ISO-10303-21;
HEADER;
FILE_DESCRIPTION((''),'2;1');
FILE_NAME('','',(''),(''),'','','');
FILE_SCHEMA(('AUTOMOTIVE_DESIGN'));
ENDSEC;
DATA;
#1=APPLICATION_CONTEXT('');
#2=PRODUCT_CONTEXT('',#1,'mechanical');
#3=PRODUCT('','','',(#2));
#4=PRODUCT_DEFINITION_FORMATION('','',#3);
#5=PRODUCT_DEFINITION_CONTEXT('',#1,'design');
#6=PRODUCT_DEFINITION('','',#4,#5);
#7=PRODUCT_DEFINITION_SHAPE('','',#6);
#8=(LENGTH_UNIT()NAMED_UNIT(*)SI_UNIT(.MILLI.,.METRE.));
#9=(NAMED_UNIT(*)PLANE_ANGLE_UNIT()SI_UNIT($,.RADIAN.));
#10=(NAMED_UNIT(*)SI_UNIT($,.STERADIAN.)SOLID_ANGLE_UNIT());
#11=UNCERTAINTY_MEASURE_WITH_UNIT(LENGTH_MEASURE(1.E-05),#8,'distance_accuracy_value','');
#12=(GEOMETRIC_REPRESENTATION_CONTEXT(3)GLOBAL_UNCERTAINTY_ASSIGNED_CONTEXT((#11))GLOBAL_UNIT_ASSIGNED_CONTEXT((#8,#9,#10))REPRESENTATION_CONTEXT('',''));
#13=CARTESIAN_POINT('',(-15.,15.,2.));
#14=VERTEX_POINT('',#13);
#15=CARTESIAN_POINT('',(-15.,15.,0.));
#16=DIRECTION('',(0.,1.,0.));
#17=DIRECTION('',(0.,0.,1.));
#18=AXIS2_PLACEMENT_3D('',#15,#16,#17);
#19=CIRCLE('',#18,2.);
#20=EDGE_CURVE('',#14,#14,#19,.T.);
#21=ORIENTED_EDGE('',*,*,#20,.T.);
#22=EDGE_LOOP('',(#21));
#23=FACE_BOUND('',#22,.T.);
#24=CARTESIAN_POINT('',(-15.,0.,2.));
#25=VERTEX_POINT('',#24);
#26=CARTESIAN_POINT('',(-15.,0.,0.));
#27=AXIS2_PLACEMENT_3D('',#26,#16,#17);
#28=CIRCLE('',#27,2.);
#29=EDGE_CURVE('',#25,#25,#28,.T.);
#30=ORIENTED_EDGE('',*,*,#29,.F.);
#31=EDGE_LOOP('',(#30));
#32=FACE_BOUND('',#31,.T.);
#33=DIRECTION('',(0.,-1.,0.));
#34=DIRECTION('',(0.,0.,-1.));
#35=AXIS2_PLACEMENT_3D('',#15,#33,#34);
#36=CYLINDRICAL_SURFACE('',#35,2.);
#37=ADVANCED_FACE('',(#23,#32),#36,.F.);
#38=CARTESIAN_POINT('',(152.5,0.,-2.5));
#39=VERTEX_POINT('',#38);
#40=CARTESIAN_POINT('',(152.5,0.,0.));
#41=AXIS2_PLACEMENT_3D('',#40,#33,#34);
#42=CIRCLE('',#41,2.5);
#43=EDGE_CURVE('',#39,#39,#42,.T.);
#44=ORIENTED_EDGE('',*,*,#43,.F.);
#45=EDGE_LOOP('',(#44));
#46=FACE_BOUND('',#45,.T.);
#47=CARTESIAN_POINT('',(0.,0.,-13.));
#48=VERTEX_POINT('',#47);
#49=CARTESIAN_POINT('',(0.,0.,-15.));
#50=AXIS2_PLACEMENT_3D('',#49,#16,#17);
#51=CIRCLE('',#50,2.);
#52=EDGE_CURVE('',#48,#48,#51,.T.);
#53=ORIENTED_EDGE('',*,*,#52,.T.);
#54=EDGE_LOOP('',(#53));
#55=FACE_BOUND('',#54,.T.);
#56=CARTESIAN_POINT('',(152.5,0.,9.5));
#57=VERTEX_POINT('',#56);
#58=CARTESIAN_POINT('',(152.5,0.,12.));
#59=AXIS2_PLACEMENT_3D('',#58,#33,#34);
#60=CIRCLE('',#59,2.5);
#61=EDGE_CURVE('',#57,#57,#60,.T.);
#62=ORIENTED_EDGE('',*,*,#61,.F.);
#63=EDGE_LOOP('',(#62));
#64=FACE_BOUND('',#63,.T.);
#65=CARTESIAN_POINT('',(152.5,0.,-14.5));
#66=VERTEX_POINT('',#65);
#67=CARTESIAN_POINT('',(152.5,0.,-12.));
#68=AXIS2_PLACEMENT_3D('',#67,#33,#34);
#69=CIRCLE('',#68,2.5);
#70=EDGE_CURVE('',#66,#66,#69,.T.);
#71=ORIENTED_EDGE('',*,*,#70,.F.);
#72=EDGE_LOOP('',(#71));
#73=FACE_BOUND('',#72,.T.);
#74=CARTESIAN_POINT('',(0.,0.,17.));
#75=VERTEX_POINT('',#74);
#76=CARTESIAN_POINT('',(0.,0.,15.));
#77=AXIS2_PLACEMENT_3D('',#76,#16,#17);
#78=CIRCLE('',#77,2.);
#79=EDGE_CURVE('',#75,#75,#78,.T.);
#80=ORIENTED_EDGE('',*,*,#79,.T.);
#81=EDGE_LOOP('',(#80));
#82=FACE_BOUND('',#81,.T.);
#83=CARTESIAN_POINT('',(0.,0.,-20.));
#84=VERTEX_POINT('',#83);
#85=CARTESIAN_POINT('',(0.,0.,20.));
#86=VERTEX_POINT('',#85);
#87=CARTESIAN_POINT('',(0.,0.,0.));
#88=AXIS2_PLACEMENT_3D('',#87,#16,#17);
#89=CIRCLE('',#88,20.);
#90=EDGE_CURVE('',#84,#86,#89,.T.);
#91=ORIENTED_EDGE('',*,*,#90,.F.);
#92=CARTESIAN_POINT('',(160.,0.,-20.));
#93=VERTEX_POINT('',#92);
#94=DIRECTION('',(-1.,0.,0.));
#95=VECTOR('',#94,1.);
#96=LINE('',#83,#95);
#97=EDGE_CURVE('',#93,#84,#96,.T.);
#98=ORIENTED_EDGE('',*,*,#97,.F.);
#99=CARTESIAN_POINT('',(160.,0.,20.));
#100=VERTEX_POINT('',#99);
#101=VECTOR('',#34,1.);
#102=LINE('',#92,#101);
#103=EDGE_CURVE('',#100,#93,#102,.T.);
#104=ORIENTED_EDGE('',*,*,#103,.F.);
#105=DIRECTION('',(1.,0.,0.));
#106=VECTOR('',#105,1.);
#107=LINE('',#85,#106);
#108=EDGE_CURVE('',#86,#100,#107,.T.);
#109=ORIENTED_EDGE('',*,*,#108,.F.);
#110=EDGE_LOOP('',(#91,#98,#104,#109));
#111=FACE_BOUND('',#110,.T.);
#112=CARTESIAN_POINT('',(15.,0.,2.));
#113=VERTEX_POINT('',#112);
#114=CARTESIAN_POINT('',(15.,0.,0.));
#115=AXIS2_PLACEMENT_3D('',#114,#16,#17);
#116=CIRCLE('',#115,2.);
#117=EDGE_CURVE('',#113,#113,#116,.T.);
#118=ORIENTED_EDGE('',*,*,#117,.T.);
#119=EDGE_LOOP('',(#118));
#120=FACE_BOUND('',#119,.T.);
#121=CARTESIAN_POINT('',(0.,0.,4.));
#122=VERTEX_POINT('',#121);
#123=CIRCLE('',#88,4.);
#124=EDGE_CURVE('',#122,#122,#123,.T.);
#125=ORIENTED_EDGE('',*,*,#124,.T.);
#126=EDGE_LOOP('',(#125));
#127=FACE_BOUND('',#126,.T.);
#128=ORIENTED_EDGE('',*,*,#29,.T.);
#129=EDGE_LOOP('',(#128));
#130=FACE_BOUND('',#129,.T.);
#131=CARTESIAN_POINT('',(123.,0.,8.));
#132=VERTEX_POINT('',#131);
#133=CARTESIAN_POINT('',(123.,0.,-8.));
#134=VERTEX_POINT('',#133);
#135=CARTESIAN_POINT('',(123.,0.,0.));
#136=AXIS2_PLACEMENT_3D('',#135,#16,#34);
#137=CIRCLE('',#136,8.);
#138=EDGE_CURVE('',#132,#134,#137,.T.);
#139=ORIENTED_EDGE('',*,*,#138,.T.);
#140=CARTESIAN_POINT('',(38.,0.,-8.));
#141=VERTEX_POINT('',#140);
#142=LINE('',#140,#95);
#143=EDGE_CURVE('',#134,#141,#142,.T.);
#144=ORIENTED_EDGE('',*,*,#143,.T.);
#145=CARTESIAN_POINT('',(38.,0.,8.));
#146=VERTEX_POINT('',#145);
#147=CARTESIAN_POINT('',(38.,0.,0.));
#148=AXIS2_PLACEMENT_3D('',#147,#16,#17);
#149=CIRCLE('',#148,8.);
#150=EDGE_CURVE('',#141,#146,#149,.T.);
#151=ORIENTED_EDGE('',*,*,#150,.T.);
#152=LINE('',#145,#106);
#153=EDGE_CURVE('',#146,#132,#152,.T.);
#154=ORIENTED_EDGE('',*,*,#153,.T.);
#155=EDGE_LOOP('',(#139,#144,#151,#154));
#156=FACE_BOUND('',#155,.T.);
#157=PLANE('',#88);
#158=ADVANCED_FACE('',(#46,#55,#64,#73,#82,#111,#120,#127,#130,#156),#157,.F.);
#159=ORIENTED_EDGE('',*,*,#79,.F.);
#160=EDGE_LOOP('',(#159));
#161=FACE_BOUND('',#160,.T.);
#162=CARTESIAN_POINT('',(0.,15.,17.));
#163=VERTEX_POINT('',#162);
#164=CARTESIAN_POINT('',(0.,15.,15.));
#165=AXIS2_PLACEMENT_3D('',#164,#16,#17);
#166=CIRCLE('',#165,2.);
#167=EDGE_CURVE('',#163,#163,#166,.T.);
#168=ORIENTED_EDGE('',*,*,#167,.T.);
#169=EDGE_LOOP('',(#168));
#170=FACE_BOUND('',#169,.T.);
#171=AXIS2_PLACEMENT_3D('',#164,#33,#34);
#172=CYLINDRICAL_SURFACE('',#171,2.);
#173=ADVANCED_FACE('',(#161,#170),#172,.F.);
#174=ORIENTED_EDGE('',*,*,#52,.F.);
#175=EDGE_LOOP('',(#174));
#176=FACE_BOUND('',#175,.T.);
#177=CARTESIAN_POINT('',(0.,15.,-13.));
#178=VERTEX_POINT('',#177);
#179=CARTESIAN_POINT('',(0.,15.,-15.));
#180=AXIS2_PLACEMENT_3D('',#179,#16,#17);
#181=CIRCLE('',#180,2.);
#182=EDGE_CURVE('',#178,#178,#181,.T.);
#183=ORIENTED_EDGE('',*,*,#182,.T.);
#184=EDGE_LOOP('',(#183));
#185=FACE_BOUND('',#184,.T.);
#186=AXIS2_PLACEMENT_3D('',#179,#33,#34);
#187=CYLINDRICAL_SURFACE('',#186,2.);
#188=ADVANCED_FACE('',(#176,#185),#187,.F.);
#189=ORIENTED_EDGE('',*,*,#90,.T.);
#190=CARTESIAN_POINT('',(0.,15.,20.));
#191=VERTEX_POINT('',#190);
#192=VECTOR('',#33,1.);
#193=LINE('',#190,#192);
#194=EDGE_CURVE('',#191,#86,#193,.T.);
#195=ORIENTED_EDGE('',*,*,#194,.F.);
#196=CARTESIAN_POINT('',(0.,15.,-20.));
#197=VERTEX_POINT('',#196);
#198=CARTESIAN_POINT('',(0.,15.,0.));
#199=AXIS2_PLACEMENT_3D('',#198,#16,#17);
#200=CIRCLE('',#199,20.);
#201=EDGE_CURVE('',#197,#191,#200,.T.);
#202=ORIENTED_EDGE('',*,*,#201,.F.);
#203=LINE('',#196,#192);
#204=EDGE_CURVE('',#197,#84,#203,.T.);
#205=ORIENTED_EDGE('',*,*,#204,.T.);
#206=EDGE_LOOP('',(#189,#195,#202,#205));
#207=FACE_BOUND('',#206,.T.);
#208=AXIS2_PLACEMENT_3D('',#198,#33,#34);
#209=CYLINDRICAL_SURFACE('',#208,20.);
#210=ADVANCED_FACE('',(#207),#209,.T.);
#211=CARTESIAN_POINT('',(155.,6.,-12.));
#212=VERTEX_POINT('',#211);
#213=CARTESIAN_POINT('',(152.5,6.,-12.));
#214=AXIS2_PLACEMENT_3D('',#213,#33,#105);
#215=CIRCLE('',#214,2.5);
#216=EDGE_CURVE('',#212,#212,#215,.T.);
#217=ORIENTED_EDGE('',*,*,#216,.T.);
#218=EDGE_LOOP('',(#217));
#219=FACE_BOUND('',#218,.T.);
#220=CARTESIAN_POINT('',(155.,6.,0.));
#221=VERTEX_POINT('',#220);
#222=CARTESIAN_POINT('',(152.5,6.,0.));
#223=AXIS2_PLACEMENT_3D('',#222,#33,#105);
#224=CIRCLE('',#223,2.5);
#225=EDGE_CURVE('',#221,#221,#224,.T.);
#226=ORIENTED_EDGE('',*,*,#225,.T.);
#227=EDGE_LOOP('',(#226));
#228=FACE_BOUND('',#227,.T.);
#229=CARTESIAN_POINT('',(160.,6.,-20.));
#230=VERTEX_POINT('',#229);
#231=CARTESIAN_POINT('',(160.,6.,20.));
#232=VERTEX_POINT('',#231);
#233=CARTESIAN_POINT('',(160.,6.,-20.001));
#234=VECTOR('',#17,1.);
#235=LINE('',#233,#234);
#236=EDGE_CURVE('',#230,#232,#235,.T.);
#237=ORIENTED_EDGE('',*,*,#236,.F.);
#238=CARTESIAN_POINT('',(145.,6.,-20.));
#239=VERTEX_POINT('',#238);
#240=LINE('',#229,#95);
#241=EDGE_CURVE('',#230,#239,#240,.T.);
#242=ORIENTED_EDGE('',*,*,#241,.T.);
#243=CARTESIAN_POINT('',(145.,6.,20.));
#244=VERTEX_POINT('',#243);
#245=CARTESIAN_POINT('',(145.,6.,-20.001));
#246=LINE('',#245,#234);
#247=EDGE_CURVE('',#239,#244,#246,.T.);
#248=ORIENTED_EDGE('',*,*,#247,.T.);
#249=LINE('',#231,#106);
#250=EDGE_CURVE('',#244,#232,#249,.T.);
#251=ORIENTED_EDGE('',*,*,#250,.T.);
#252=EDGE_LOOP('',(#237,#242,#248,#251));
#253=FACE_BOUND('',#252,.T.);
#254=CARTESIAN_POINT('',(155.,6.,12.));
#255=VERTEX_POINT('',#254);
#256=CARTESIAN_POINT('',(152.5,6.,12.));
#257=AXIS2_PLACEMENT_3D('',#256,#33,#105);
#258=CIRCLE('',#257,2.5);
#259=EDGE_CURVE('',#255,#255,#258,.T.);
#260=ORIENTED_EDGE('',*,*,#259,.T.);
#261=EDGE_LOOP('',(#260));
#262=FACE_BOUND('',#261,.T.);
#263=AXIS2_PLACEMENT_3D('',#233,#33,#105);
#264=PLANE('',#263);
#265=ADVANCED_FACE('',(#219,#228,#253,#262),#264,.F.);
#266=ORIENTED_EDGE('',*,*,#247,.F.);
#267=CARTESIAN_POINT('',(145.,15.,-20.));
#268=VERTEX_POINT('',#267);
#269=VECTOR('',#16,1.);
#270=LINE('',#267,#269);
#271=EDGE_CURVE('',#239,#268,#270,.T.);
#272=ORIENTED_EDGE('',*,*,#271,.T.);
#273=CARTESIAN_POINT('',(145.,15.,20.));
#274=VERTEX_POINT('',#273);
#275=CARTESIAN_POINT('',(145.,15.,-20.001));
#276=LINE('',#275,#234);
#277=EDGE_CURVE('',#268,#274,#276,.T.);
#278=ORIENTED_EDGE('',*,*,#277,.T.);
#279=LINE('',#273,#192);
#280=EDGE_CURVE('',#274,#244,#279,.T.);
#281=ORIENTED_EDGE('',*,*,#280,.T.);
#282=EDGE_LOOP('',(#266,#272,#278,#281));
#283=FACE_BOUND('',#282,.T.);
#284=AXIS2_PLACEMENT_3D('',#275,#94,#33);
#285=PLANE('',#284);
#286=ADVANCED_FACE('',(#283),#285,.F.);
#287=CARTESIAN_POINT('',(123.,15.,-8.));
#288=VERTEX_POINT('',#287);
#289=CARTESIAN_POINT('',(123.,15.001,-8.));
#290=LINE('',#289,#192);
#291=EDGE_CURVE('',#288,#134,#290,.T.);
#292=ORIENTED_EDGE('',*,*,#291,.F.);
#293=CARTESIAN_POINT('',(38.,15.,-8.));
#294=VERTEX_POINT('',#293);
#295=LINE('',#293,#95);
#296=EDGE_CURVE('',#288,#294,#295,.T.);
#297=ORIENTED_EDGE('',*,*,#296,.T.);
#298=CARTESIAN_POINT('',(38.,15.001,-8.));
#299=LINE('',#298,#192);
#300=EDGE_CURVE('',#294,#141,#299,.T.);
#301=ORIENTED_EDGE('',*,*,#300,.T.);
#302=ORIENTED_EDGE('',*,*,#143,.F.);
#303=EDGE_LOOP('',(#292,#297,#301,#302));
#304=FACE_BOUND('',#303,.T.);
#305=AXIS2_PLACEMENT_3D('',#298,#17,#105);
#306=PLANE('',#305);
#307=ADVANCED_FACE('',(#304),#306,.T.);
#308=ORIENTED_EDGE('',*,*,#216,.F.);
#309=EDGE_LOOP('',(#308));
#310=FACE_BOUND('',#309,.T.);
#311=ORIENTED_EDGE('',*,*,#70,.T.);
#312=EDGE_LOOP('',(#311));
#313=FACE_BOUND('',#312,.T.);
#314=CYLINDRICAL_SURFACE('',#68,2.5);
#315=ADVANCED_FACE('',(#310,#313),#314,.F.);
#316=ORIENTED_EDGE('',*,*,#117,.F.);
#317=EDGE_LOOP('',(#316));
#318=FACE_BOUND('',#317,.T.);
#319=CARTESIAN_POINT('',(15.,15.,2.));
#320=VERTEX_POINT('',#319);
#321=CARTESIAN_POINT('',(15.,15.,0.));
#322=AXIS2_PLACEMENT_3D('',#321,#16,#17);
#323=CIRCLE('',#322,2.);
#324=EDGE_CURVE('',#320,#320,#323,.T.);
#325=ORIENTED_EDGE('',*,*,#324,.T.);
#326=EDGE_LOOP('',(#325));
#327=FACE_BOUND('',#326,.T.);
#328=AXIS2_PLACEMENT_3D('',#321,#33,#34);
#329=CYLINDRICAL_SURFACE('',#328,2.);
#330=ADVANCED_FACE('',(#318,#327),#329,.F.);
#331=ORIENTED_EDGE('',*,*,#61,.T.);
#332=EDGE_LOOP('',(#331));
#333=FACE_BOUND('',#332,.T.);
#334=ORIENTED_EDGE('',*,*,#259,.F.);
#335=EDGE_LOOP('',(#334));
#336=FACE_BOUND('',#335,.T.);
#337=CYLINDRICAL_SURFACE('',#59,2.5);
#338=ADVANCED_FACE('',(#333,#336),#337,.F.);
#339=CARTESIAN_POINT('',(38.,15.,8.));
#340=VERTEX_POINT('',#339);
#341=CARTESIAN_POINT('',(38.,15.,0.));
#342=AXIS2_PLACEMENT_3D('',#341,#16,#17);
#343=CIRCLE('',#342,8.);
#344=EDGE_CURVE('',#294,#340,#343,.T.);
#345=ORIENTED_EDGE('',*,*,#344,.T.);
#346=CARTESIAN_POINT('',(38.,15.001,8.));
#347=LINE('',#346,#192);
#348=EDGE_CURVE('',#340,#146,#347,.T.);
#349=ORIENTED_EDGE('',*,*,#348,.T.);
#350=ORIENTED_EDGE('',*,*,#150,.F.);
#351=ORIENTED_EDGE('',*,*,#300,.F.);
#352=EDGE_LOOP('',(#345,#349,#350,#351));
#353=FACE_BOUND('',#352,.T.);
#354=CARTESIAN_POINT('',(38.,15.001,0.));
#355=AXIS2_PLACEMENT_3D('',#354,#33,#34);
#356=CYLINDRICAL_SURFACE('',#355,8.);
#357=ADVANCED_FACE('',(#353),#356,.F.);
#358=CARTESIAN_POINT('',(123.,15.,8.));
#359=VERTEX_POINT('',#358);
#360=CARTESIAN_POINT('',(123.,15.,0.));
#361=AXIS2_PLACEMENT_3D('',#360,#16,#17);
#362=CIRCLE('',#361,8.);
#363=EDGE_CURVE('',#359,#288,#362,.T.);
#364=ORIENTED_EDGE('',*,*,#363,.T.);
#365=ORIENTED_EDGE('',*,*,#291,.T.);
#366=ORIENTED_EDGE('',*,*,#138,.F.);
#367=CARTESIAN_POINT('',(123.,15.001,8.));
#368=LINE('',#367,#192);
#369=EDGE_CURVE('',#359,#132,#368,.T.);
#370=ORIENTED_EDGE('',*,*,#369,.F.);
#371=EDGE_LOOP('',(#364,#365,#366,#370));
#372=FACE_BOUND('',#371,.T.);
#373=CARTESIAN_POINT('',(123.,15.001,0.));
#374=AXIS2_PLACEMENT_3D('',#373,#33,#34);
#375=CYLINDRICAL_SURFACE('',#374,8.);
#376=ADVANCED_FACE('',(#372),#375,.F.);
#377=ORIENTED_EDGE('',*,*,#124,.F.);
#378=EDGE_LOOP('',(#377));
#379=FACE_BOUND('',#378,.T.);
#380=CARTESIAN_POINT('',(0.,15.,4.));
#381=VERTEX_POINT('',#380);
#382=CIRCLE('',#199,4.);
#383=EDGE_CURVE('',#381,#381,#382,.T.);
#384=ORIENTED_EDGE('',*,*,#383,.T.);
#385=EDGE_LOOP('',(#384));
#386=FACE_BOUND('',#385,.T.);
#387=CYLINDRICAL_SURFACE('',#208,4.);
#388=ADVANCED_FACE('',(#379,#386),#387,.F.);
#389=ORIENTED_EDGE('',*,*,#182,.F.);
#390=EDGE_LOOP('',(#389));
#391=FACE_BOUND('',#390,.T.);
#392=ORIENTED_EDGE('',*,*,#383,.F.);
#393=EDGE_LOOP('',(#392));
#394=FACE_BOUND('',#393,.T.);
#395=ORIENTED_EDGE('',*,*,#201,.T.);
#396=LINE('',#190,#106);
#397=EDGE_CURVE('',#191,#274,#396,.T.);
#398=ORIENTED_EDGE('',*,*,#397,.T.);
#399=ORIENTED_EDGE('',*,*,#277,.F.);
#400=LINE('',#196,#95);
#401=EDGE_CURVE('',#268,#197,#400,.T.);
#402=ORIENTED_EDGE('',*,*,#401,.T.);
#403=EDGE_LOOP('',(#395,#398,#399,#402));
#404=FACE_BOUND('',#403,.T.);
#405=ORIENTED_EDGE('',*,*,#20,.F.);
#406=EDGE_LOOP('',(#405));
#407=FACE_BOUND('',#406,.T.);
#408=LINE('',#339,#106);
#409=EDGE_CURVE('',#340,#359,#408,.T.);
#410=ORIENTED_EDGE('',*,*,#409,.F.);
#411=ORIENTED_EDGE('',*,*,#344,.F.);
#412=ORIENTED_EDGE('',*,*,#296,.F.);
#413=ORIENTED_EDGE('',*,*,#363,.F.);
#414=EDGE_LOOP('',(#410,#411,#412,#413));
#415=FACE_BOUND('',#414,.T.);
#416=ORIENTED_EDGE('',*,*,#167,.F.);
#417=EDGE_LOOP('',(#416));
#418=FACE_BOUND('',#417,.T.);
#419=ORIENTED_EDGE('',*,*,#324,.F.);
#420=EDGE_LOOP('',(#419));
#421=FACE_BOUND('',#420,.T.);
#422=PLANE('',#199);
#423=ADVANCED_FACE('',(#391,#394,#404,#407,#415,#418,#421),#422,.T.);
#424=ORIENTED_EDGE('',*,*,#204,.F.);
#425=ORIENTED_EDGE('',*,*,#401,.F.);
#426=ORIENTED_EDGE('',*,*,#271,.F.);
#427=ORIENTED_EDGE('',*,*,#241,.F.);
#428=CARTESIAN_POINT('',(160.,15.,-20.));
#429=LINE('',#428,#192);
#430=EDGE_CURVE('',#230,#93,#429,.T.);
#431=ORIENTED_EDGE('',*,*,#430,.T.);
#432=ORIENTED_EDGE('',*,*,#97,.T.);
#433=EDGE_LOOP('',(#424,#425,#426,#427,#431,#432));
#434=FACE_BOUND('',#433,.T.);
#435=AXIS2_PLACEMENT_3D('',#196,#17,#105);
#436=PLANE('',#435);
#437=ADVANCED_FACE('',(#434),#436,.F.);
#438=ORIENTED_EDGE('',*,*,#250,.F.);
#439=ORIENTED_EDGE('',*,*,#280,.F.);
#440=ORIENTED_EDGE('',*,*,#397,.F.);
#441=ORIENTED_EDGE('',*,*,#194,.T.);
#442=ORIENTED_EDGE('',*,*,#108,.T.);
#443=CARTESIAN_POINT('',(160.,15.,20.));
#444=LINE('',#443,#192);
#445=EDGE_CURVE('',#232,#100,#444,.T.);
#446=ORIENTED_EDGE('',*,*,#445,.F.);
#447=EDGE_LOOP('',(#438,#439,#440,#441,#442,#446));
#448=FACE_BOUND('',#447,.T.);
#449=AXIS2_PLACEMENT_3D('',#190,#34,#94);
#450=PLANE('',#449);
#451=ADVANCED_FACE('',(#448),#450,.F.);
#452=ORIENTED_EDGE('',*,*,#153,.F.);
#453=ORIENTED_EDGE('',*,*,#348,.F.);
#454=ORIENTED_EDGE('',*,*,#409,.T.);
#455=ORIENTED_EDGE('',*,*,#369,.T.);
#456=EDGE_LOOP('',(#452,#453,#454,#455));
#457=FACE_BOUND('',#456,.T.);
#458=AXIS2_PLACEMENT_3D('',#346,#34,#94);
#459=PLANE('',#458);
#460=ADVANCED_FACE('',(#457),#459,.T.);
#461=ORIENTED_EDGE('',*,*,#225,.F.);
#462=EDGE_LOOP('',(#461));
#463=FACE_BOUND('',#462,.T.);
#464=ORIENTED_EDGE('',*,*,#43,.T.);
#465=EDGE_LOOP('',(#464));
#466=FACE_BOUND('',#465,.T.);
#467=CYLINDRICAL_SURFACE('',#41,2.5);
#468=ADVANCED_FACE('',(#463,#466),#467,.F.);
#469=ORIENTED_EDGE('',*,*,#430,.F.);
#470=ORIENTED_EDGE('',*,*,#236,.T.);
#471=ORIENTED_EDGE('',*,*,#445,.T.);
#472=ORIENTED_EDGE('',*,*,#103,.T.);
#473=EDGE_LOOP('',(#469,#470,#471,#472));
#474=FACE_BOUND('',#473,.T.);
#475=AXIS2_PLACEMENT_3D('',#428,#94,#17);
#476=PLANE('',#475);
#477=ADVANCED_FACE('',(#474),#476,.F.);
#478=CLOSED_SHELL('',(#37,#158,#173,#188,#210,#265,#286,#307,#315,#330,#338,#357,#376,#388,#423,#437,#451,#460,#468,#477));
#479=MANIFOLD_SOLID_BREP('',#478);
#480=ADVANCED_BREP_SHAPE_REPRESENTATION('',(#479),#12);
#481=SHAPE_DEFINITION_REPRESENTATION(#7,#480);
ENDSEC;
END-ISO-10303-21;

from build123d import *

# Parameters (mm, degrees)
SKETCH_1_R            = 2
SKETCH_1_R_2          = 4
EXTRUDE_1_DEPTH       = 15
CUT_EXTRUDE_1_REACH   = 167.605
SKETCH_2_W            = 15
SKETCH_2_H            = 9
HOLE_WIZARD_5_0_5_1_D = 5
CUT_EXTRUDE_2_REACH   = 163.941


with BuildPart() as part:
    # 草图1 → 凸台-拉伸1 (new body)
    with BuildSketch(Plane(origin=(0, 0, 0), x_dir=(1, 0, 0), z_dir=(0, 1, 0))):
        with BuildLine():
            Line((0, 20), (160, 20))
            Line((160, 20), (160, -20))
            Line((160, -20), (0, -20))
            ThreePointArc((0, -20), (-20, 0), (0, 20))
        make_face()
        with Locations(Location((0, 15, 0), (0, 0, 270))):
            Circle(SKETCH_1_R, mode=Mode.SUBTRACT)
        with Locations(Location((15, 0, 0), (0, 0, 270))):
            Circle(SKETCH_1_R, mode=Mode.SUBTRACT)
        with Locations(Location((0, -15, 0), (0, 0, 270))):
            Circle(SKETCH_1_R, mode=Mode.SUBTRACT)
        with Locations(Location((-15, 0, 0), (0, 0, 270))):
            Circle(SKETCH_1_R, mode=Mode.SUBTRACT)
        with Locations(Location((0, 0, 0), (0, 0, 270))):
            Circle(SKETCH_1_R_2, mode=Mode.SUBTRACT)
    extrude(amount=EXTRUDE_1_DEPTH)

    # 草图2 → 切除-拉伸1 (cut, up to next)
    with BuildSketch(Plane.XY.offset(20), mode=Mode.PRIVATE) as cut_extrude_1_sk1:
        with Locations((152.5, 10.5)):
            Rectangle(SKETCH_2_W, SKETCH_2_H)
    cut_extrude_1_tool1 = extrude(cut_extrude_1_sk1.sketch, amount=-CUT_EXTRUDE_1_REACH, mode=Mode.PRIVATE) & part.part
    add(cut_extrude_1_tool1.solids().sort_by_distance((152.5, 10.5, 20))[0], mode=Mode.SUBTRACT)

    # Ø5.0 (5) 直径孔1 (through all)
    with Locations(Plane(origin=(0, 0, 0), x_dir=(-1, 0, 0), z_dir=(0, -1, 0))):
        with Locations((-152.5, -12), (-152.5, 0), (-152.5, 12)):
            Hole(HOLE_WIZARD_5_0_5_1_D / 2)

    # 草图6 → 切除-拉伸2 (cut, up to next)
    with BuildSketch(Plane(origin=(0, 0, 0), x_dir=(1, 0, 0), z_dir=(0, 1, 0)), mode=Mode.PRIVATE) as cut_extrude_2_sk1:
        with BuildLine():
            Line((38, -8), (123, -8))
            ThreePointArc((123, -8), (131, 0), (123, 8))
            Line((123, 8), (38, 8))
            ThreePointArc((38, 8), (30, 0), (38, -8))
        make_face()
    cut_extrude_2_tool1 = extrude(cut_extrude_2_sk1.sketch, amount=CUT_EXTRUDE_2_REACH, mode=Mode.PRIVATE) & part.part
    add(cut_extrude_2_tool1.solids().sort_by_distance((80.5, 0, 0))[0], mode=Mode.SUBTRACT)


solid = part.part
